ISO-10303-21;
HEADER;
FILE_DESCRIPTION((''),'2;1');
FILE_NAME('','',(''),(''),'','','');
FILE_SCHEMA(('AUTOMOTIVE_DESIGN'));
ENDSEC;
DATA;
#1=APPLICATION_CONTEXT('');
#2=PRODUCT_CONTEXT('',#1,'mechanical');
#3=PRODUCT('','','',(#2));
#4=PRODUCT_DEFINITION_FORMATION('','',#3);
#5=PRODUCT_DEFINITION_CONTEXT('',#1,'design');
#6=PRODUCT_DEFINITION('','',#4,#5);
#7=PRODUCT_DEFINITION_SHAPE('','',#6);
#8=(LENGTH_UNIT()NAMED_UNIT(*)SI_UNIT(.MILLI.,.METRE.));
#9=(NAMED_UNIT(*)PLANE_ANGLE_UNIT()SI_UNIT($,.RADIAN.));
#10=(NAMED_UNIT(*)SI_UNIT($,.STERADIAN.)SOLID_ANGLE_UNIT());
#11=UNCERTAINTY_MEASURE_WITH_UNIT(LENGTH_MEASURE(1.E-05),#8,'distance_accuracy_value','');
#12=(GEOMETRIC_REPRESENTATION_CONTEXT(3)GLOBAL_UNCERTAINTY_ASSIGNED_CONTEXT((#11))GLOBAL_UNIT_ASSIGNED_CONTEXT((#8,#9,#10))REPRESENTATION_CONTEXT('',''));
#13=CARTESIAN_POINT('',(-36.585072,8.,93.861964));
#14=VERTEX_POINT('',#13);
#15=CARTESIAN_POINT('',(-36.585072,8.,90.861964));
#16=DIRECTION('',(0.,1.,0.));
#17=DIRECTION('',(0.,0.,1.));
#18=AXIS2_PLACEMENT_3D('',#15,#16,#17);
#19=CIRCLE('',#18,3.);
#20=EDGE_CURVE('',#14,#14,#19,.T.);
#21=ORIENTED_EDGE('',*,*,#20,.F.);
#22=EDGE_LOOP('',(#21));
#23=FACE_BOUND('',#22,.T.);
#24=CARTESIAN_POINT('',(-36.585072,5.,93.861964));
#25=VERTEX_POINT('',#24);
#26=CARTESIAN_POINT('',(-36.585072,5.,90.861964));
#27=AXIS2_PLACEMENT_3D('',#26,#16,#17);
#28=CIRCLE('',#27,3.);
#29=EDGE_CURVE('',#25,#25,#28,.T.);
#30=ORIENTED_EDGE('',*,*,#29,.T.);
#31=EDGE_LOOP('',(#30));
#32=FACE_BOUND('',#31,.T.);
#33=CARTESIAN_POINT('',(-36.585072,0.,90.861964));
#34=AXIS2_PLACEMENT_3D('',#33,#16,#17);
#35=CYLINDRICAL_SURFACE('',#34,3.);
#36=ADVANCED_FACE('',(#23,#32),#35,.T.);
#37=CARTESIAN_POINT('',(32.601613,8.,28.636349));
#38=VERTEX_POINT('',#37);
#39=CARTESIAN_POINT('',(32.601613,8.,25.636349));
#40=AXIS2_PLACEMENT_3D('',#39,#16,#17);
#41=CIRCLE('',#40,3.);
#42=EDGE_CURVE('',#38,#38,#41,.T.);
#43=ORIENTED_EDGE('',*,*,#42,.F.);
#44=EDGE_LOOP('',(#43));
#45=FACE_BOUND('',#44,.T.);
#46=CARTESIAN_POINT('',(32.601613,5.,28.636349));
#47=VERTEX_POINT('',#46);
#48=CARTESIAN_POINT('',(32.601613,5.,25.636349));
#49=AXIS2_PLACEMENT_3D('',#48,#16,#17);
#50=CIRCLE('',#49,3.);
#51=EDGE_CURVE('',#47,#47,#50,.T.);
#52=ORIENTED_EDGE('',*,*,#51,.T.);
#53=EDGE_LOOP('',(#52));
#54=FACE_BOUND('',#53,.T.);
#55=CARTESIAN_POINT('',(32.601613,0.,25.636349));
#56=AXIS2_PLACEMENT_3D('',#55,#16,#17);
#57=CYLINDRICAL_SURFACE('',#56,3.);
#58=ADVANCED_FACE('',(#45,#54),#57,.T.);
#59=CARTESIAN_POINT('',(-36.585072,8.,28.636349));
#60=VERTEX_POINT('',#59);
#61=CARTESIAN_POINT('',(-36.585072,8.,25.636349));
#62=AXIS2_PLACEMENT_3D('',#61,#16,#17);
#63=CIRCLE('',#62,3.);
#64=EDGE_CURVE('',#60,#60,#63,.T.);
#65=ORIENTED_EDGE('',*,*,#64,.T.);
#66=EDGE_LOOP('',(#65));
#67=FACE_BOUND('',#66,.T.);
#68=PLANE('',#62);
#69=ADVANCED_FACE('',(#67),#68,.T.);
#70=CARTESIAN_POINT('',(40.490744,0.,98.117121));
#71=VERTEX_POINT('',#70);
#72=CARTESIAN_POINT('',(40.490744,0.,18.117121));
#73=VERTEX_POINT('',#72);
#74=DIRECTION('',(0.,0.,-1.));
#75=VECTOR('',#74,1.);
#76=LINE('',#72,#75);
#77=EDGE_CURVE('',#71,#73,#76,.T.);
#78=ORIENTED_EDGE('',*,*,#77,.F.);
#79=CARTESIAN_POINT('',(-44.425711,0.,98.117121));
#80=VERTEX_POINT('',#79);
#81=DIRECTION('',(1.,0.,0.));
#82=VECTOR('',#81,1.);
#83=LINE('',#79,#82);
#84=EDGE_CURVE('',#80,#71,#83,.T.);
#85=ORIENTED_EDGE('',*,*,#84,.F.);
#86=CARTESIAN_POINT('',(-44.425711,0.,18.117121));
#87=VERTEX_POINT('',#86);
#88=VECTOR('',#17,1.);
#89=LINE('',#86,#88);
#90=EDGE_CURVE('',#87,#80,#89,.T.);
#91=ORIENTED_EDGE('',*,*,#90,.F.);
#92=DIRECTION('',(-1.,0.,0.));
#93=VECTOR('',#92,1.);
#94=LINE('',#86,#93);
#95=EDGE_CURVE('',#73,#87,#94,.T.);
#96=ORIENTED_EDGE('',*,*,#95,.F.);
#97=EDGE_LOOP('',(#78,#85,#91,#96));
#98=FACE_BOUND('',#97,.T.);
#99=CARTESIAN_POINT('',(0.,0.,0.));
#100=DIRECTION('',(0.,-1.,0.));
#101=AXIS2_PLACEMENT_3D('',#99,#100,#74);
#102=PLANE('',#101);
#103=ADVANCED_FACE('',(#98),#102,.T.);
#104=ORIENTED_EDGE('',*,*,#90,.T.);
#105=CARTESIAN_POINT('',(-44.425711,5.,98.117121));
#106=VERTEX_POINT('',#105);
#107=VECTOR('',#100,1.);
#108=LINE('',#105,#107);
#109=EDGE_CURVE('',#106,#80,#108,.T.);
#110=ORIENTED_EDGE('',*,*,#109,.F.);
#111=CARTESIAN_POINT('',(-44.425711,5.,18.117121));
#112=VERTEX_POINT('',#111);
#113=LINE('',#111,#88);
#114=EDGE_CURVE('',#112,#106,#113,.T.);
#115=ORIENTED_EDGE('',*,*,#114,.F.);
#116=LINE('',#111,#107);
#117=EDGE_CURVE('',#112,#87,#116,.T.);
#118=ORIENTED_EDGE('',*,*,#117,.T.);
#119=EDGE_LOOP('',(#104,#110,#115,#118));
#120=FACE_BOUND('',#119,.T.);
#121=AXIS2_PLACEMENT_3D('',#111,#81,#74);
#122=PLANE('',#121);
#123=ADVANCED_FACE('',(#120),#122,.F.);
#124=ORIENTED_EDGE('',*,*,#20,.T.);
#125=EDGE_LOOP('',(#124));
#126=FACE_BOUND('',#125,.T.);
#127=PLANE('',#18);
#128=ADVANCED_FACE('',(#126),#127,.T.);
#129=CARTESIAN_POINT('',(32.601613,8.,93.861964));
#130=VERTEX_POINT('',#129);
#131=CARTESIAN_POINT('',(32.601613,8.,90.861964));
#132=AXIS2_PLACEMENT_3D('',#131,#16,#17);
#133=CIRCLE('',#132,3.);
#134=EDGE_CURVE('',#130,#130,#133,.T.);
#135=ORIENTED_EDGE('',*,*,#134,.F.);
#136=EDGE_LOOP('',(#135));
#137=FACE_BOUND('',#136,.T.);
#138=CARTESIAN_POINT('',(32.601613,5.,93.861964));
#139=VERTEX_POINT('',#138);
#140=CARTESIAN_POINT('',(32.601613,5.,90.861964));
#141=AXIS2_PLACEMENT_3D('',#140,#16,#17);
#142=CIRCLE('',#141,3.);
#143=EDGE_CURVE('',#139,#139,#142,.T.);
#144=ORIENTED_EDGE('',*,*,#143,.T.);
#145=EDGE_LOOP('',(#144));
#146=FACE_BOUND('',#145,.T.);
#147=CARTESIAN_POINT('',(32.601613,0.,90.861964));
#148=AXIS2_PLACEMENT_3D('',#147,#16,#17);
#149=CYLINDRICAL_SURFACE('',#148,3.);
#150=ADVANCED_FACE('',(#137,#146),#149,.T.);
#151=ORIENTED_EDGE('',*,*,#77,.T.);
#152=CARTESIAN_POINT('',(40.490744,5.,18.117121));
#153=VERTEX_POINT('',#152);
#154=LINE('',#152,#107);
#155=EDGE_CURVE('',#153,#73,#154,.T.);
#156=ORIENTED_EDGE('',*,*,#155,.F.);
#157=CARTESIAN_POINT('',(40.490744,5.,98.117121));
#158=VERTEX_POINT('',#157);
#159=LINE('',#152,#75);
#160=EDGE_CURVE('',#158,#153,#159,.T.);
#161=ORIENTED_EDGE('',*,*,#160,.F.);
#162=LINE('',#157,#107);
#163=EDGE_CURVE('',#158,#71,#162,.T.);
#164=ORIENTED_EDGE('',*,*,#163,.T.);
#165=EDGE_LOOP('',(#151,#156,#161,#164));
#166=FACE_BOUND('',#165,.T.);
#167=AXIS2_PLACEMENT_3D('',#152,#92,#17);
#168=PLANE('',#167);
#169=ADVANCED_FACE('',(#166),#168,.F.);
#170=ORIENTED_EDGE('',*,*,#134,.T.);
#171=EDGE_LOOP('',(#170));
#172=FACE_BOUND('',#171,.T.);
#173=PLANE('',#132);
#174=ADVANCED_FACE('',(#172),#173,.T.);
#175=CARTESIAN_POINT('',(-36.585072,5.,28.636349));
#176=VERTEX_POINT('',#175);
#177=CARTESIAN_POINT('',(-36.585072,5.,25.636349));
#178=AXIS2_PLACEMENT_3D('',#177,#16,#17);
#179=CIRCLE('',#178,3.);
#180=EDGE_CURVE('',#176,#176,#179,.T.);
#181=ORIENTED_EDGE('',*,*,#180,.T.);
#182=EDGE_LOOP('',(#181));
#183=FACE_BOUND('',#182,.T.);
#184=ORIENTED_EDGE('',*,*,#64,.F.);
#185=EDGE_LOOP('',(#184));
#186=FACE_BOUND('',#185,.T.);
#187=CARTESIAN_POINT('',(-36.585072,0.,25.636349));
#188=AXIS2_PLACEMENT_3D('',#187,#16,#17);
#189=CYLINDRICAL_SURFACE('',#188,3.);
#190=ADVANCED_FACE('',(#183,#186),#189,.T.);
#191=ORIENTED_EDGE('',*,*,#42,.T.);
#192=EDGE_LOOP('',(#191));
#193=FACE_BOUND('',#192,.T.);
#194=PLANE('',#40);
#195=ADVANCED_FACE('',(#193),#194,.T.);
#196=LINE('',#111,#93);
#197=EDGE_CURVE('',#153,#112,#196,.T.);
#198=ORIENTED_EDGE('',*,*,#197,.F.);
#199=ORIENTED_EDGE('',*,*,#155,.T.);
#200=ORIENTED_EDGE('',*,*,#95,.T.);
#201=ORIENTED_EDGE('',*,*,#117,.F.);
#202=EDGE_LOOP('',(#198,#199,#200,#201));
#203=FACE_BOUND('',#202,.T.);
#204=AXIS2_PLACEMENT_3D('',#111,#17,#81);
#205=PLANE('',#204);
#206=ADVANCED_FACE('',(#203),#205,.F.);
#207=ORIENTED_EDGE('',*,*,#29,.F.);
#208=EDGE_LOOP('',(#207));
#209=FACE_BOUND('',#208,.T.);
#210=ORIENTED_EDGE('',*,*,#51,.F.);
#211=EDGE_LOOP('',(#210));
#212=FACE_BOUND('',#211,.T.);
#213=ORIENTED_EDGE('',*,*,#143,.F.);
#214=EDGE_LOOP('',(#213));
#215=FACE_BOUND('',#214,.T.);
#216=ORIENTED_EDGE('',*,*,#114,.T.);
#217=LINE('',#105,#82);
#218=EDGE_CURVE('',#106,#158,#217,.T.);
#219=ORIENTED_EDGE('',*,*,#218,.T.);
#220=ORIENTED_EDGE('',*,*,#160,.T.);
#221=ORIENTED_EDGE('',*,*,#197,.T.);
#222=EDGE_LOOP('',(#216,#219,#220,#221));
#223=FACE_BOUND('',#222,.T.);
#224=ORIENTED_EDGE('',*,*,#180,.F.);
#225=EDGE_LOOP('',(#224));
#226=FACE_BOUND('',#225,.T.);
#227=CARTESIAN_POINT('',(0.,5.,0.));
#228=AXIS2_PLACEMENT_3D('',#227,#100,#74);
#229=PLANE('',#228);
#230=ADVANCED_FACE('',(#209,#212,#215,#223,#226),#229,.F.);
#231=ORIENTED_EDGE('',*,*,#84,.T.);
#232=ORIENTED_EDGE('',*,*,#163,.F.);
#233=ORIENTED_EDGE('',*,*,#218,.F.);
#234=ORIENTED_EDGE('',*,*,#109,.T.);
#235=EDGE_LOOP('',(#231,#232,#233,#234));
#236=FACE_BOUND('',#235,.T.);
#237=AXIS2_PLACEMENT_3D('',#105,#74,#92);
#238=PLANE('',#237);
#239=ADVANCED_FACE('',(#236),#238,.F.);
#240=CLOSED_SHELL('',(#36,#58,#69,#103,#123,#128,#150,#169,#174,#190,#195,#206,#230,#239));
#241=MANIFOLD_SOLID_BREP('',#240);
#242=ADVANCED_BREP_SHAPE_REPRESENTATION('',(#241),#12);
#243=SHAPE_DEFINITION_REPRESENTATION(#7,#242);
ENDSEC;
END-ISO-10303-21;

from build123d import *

# Parameters (mm, degrees)
SKETCH_4_W           = 84.916455131
SKETCH_4_H           = 80
SKETCH_4_R           = 3
EXTRUDE_1_DEPTH      = 5
EXTRUDE_2_DEPTH      = 3
EXTRUDE_2_DEPTH_BACK = 5
SKETCH_5_R           = 3


with BuildPart() as part:
    # 草图4 → 凸台-拉伸1 (new body)
    with BuildSketch(Plane(origin=(0, 0, 0), x_dir=(1, 0, 0), z_dir=(0, 1, 0))):
        with Locations((-1.967483917, -58.11712094)):
            Rectangle(SKETCH_4_W, SKETCH_4_H)
        with Locations(Location((-36.585071707, -25.636349073, 0), (0, 0, 270))):
            Circle(SKETCH_4_R, mode=Mode.SUBTRACT)
        with Locations(Location((32.601613083, -25.636349073, 0), (0, 0, 270))):
            Circle(SKETCH_4_R, mode=Mode.SUBTRACT)
        with Locations(Location((-36.585071707, -90.861964123, 0), (0, 0, 270))):
            Circle(SKETCH_4_R, mode=Mode.SUBTRACT)
        with Locations(Location((32.601613083, -90.861964123, 0), (0, 0, 270))):
            Circle(SKETCH_4_R, mode=Mode.SUBTRACT)
    extrude(amount=EXTRUDE_1_DEPTH)

    # 草图5 → 凸台-拉伸2 (add, two sides: drawn at the far end of the back side and taken through both)
    with BuildSketch(Plane(origin=(0, 5, 0), x_dir=(1, 0, 0), z_dir=(0, 1, 0)).offset(-EXTRUDE_2_DEPTH_BACK)):
        with Locations(Location((-36.585071707, -25.636349073, 0), (0, 0, 270))):
            Circle(SKETCH_5_R)
        with Locations(Location((32.601613083, -25.636349073, 0), (0, 0, 270))):
            Circle(SKETCH_5_R)
        with Locations(Location((-36.585071707, -90.861964123, 0), (0, 0, 270))):
            Circle(SKETCH_5_R)
        with Locations(Location((32.601613083, -90.861964123, 0), (0, 0, 270))):
            Circle(SKETCH_5_R)
    extrude(amount=EXTRUDE_2_DEPTH + EXTRUDE_2_DEPTH_BACK)


solid = part.part
